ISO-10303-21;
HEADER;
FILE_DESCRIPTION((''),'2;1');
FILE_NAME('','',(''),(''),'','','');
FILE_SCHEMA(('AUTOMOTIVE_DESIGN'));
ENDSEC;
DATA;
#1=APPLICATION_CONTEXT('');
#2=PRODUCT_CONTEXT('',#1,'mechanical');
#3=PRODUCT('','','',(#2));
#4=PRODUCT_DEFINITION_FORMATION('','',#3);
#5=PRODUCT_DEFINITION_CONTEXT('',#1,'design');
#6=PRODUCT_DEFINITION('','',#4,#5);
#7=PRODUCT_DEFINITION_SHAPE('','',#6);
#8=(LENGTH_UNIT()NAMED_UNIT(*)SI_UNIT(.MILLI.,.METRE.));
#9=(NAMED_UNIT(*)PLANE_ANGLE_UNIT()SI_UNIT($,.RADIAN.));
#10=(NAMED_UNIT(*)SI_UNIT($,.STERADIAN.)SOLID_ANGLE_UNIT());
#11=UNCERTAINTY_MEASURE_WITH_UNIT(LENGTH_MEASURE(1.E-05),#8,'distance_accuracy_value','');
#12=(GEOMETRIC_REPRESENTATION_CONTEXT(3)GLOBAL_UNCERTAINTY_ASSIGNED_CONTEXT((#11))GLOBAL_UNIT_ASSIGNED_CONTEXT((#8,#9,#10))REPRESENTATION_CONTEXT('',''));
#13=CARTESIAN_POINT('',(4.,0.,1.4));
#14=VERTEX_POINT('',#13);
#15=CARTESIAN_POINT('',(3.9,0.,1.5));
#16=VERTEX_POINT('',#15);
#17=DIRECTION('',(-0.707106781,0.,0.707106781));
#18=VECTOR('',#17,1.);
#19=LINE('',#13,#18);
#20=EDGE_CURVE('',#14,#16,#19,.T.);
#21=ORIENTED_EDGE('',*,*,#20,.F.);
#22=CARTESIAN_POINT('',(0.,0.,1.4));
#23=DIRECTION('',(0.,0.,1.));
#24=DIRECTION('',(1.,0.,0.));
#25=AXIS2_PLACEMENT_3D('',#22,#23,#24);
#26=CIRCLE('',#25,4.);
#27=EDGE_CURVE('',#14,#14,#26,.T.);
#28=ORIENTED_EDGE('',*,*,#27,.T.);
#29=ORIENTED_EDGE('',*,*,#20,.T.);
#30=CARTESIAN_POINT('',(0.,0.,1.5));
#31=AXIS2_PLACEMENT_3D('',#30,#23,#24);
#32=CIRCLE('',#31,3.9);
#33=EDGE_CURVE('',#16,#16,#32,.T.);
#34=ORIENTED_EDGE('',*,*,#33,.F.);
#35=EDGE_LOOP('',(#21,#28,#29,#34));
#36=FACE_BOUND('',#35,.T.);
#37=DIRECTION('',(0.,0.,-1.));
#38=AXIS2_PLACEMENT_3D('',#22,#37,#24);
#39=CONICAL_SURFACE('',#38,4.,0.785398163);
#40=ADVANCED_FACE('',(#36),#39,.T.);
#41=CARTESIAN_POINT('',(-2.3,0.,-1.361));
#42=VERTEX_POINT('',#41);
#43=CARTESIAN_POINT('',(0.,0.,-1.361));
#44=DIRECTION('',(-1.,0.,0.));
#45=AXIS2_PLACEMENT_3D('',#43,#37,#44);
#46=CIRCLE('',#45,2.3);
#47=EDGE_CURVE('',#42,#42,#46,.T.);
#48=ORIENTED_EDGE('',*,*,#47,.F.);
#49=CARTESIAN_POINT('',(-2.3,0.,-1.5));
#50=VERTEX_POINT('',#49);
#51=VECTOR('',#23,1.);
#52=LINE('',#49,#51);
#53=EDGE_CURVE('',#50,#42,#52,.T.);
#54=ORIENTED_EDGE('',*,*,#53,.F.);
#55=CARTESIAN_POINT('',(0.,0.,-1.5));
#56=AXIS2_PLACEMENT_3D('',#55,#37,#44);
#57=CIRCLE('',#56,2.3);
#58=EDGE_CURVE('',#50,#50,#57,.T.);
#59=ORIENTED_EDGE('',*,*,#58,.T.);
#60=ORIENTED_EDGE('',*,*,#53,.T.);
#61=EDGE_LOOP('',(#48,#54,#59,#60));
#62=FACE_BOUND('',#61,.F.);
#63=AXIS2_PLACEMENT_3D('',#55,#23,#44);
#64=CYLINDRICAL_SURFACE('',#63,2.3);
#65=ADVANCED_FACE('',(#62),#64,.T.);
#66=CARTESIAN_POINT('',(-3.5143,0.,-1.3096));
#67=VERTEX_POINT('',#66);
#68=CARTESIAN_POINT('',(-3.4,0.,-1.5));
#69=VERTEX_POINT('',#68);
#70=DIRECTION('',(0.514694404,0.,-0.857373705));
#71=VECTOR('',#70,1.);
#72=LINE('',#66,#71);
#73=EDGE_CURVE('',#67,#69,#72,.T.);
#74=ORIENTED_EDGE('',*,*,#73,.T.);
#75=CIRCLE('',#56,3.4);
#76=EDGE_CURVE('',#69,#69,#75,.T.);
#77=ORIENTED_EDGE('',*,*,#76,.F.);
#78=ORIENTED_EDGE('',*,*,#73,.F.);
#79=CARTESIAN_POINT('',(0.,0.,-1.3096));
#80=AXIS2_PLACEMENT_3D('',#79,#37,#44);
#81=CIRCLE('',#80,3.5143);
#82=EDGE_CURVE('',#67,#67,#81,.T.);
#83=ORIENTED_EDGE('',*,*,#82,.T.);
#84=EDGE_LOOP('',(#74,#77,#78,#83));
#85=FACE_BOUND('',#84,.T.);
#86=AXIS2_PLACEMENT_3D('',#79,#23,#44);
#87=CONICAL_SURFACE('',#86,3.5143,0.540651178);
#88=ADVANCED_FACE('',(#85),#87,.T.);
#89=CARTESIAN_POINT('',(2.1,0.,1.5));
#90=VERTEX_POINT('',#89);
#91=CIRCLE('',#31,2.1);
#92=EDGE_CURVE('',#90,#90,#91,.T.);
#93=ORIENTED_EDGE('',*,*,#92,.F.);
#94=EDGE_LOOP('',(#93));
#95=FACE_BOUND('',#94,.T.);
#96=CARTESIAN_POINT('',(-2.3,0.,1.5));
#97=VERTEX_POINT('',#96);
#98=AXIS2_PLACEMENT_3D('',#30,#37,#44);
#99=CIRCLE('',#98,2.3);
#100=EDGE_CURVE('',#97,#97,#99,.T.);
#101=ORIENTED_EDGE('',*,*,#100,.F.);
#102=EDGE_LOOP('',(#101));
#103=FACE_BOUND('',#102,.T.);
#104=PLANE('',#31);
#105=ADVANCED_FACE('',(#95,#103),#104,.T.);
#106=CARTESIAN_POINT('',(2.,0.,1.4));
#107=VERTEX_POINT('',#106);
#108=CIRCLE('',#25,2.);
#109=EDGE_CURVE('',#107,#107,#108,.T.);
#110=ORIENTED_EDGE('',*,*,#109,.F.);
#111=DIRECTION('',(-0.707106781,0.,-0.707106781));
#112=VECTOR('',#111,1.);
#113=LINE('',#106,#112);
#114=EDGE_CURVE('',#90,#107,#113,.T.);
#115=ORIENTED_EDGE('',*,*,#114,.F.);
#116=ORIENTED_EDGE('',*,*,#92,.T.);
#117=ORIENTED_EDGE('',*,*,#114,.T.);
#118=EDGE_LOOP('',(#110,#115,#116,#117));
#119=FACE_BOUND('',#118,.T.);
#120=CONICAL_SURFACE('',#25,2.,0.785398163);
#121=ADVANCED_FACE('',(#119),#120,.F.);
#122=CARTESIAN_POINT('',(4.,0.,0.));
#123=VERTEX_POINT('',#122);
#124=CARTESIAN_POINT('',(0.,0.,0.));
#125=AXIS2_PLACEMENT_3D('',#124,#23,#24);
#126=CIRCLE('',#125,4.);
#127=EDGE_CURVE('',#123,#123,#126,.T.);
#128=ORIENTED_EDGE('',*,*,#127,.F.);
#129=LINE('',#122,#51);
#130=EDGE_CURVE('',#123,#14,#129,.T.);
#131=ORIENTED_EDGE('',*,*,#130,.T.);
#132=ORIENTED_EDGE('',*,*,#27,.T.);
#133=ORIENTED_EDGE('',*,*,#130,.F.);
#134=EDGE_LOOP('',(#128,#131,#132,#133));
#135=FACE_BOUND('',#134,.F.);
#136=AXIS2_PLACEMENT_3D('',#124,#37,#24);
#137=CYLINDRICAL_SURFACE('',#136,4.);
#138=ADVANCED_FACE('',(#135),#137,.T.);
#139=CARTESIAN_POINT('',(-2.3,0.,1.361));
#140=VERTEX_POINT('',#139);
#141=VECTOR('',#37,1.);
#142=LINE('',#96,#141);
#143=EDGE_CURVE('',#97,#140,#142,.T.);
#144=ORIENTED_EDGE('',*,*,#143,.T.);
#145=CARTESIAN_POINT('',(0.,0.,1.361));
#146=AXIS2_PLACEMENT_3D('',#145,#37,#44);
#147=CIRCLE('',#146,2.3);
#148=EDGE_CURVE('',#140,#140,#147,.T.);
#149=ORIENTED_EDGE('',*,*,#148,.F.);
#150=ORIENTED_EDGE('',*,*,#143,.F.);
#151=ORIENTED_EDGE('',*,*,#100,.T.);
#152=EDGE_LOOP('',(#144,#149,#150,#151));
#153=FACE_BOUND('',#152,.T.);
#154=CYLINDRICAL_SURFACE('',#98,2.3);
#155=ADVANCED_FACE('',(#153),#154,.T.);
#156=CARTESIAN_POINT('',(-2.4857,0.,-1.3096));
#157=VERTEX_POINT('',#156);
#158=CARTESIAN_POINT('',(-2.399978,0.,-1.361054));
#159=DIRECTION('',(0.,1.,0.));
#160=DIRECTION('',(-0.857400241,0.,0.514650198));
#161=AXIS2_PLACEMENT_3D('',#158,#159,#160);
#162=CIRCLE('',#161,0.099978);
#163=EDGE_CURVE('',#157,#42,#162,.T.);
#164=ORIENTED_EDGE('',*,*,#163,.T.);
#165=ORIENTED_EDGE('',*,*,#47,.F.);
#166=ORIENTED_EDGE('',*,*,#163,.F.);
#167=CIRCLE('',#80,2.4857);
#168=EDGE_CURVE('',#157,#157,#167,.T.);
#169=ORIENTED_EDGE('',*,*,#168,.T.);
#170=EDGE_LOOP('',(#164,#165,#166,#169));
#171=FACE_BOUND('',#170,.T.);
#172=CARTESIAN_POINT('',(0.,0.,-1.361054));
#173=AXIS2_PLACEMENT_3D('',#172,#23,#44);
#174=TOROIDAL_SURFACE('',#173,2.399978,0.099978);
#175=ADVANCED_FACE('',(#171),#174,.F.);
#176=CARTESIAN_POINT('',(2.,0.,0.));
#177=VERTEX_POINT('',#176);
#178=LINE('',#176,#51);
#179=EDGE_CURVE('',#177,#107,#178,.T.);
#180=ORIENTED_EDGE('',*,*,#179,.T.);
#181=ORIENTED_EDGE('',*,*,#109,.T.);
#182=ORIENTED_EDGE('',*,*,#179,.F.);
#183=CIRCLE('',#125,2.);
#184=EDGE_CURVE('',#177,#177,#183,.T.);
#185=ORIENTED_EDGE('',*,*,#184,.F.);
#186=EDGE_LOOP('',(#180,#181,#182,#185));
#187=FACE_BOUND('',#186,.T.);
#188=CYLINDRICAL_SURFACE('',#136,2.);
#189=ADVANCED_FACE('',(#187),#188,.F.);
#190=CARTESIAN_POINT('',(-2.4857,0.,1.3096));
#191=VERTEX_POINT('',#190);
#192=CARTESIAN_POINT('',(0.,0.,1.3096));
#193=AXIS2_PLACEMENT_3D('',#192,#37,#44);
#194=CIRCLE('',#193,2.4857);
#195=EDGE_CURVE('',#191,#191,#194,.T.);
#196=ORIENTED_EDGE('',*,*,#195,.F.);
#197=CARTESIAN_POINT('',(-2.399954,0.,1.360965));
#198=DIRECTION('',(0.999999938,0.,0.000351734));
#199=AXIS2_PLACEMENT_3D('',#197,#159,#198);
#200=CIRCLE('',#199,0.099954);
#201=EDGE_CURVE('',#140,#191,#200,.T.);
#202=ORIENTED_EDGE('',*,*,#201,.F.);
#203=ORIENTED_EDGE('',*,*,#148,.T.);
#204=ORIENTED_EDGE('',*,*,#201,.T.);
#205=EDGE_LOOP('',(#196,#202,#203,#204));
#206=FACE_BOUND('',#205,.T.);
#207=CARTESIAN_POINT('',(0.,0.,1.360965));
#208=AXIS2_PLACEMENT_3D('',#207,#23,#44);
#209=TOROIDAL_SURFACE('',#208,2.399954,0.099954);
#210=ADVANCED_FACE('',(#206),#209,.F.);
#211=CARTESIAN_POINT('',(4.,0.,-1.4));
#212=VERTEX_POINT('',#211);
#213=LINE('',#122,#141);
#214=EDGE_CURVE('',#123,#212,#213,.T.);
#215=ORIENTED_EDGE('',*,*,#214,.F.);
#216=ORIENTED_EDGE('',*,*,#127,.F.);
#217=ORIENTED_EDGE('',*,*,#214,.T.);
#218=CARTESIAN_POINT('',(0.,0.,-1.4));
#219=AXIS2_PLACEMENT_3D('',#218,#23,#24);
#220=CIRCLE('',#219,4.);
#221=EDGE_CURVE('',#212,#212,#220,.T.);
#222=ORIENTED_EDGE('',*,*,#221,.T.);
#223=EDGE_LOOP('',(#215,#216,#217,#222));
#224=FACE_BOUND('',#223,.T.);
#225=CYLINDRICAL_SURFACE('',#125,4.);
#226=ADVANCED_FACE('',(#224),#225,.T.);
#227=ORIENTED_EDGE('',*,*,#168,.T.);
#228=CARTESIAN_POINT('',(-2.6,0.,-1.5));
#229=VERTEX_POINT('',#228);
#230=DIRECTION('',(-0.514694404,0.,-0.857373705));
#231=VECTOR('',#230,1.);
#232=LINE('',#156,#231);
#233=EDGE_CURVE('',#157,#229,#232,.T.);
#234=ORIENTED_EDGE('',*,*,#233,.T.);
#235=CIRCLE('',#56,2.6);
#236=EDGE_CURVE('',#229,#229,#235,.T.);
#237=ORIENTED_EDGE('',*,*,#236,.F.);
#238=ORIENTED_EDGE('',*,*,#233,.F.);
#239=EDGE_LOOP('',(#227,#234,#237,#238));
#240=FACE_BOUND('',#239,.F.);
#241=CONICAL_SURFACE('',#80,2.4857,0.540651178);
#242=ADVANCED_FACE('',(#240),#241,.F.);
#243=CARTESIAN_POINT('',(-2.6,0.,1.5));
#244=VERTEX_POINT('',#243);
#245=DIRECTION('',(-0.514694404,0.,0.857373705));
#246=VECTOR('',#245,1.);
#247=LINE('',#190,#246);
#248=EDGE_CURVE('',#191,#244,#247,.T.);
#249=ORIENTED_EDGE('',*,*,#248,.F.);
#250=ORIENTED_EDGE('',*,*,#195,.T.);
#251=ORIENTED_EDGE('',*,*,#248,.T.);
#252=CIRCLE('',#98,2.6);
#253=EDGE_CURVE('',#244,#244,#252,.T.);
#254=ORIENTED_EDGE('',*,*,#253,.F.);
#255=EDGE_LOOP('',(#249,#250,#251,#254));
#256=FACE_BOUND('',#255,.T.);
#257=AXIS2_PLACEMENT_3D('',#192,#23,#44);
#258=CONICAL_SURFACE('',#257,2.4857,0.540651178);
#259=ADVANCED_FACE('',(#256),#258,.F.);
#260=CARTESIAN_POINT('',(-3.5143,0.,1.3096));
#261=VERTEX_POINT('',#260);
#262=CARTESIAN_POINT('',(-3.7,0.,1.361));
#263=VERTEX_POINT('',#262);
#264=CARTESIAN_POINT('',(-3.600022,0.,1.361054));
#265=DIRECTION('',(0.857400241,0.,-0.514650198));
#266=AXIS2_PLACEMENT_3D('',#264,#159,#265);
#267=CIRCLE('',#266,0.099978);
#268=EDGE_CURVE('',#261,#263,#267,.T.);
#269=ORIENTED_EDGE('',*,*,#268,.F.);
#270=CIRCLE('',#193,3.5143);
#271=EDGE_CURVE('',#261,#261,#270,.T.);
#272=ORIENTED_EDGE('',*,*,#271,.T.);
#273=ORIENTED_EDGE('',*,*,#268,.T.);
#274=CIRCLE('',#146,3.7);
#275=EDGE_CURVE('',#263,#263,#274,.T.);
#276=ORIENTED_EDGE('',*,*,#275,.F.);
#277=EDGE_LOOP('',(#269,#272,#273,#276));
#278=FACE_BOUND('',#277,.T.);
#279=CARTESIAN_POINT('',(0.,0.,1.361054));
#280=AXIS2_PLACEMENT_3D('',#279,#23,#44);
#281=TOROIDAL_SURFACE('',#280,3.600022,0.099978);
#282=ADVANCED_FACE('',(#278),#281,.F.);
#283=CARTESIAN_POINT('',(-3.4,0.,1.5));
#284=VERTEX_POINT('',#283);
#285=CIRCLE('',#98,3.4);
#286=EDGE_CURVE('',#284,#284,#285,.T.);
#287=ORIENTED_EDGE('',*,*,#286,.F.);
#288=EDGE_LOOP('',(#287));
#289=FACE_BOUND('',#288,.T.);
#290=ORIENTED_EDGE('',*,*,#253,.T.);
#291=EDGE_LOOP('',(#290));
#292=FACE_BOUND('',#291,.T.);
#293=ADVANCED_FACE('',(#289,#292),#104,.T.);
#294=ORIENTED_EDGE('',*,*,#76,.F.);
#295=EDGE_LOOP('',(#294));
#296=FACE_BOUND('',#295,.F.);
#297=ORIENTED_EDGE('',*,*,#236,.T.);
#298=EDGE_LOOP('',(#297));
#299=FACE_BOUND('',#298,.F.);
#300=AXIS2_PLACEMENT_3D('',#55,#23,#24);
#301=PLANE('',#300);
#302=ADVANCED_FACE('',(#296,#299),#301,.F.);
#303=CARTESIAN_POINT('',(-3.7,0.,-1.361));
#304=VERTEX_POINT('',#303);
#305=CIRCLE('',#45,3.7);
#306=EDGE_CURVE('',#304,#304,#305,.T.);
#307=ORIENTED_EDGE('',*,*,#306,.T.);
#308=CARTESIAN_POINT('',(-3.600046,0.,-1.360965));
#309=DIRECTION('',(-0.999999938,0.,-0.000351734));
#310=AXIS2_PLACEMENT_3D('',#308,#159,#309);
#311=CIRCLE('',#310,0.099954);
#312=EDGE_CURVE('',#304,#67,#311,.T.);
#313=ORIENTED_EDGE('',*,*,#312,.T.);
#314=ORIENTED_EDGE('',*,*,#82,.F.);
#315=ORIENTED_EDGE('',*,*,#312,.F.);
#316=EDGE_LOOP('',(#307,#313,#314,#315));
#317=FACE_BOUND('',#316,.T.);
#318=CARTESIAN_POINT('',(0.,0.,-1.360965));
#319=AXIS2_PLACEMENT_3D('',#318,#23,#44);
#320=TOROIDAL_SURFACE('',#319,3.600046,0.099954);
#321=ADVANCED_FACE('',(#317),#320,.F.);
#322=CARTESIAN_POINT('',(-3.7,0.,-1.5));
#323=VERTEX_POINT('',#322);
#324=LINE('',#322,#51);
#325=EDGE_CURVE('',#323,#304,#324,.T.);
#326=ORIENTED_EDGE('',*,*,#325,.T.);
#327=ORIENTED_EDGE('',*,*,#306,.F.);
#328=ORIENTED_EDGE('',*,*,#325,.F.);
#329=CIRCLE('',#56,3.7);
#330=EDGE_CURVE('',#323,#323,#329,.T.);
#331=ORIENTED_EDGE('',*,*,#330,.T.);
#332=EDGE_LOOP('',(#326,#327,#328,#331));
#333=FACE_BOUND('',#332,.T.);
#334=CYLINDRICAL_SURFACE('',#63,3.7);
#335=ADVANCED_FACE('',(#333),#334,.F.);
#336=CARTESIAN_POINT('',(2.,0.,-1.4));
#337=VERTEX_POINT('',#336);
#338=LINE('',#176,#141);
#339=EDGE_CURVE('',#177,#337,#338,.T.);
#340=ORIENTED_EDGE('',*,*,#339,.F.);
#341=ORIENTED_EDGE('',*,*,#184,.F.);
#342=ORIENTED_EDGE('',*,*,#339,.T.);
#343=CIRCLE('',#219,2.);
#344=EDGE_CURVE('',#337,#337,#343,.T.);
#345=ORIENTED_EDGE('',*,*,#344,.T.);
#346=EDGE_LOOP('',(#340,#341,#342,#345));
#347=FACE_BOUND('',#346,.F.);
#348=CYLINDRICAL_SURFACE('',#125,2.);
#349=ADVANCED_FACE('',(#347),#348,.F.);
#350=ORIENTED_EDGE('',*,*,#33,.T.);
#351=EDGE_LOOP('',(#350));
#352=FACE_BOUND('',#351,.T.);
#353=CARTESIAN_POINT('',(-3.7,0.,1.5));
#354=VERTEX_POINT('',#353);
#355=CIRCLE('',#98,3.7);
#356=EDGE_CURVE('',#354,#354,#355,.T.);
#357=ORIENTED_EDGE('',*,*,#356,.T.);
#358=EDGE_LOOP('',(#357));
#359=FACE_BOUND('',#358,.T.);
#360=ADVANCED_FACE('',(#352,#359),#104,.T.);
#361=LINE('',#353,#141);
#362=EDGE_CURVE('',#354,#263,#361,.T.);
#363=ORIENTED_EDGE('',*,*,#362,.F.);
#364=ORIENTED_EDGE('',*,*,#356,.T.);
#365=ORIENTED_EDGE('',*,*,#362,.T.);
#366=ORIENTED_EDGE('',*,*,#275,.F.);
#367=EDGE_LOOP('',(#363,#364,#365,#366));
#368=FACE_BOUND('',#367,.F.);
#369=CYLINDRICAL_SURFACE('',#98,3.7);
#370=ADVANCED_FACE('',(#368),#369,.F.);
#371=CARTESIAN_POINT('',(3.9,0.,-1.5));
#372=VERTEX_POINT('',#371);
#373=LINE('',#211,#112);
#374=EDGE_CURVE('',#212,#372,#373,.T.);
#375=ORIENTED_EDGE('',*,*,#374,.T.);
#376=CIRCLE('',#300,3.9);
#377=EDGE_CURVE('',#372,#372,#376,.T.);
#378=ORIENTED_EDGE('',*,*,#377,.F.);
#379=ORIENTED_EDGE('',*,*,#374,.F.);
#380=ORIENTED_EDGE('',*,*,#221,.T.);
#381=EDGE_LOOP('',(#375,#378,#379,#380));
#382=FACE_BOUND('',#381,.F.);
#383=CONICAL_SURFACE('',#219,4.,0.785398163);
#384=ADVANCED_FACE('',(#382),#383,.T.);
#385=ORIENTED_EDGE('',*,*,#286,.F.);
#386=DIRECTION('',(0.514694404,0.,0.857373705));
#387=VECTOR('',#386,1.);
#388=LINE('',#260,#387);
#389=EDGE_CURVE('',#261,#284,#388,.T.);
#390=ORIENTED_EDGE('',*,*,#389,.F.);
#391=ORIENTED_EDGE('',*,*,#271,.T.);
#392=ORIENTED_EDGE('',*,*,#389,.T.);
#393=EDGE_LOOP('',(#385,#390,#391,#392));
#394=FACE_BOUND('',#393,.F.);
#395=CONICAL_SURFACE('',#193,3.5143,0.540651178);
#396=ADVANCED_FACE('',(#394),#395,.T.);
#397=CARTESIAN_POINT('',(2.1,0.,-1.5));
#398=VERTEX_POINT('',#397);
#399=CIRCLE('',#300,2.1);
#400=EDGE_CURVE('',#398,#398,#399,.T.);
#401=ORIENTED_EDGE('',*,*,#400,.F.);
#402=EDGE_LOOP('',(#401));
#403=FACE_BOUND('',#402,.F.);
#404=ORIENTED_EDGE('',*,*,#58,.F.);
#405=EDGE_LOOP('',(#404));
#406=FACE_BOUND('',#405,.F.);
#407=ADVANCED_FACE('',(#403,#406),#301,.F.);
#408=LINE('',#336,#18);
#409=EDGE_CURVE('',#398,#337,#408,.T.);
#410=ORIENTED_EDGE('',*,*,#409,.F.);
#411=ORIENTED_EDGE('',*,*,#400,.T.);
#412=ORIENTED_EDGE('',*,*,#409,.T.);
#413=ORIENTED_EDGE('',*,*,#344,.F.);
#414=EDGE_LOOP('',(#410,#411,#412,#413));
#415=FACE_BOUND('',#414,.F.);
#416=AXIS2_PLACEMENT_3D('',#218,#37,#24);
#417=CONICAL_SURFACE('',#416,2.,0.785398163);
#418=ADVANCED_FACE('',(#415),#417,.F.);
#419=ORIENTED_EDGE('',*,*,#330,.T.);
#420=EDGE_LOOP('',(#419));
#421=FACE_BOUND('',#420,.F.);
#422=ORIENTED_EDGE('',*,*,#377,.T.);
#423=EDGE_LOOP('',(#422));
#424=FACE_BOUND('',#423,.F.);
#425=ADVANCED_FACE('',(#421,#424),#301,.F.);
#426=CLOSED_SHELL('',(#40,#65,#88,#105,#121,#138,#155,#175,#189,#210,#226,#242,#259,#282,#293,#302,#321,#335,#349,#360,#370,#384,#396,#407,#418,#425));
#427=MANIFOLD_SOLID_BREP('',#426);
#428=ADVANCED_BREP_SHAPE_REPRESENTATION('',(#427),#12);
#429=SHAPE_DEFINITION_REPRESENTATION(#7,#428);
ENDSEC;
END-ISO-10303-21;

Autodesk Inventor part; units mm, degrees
ref_plane "YZ Plane" through (0, 0, 0) normal (1, 0, 0) x (0, 1, 0)
ref_plane "XZ Plane" through (0, 0, 0) normal (0, 1, 0) x (-1, 0, 0)
ref_plane "XY Plane" through (0, 0, 0) normal (0, 0, 1) x (1, 0, 0)
sketch "스케치1" plane through (0, 0, 0) normal (0, 0, 1) x (1, 0, 0)
  circle A0 centre (0, 0) radius 2
  circle A1 centre (0, 0) radius 4
  dimension "d0" = 4
  dimension "d1" = 8
extrude "돌출1" add sketch "스케치1" along normal mid plane 3
chamfer "모따기1" distance 0.1 angle 45 4 edges at (-4, 0, 1.5) (-4, 0, -1.5) (-2, 0, 1.5) (-2, 0, -1.5)
sketch "스케치2" plane through (0, 0, 0) normal (0, 1, 0) x (-1, 0, 0)
  line L0 (-3.9, 1.5) -> (3.9, 1.5) projected
  line L1 (3.7, 1.5) -> (3.7, 1.361)
  line L2 (3.5143, 1.3096) -> (3.4, 1.5)
  line L3 (4, 0) -> (2, 0)
  line L4 (2, 1.4) -> (2, -1.4) projected
  arc A0 (3.5143, 1.3096) -> (3.7, 1.361) centre (3.6, 1.361) ccw
  line L5 (3, 0) -> (3, 1.7292)
  line L6 (2.3, 1.5) -> (2.3, 1.361)
  line L7 (2.4857, 1.3096) -> (2.6, 1.5)
  arc A1 (2.3, 1.361) -> (2.4857, 1.3096) centre (2.4, 1.361) ccw
  line L8 (3.7, -1.5) -> (3.7, -1.361)
  line L9 (3.5143, -1.3096) -> (3.4, -1.5)
  arc A2 (3.7, -1.361) -> (3.5143, -1.3096) centre (3.6, -1.361) ccw
  line L10 (2.3, -1.5) -> (2.3, -1.361)
  line L11 (2.4857, -1.3096) -> (2.6, -1.5)
  arc A3 (2.4857, -1.3096) -> (2.3, -1.361) centre (2.4, -1.361) ccw
  line L12 (0, 0) -> (0, -13.1586)
  line L13 (3.9, -1.5) -> (-3.9, -1.5) projected
  line L14 (4, -1.4) -> (4, 1.4) projected
  point P0 (3.7, 1)
  point P1 (2.1, 1.5)
  point P2 (2.3, 1)
  point P3 (3.7, -1)
  point P4 (2.1, -1.5)
  point P5 (2.3, -1)
  dimension "d7" = 0.2
  dimension "d8" = 0.5
  dimension "d9" = 0.3
  dimension "d10" = 0.1
revolve "회전1" cut sketch "스케치2" angle 360 about axis through (0, 0, 0) along (0, 0, -1)
properties part number "6203베어링"
